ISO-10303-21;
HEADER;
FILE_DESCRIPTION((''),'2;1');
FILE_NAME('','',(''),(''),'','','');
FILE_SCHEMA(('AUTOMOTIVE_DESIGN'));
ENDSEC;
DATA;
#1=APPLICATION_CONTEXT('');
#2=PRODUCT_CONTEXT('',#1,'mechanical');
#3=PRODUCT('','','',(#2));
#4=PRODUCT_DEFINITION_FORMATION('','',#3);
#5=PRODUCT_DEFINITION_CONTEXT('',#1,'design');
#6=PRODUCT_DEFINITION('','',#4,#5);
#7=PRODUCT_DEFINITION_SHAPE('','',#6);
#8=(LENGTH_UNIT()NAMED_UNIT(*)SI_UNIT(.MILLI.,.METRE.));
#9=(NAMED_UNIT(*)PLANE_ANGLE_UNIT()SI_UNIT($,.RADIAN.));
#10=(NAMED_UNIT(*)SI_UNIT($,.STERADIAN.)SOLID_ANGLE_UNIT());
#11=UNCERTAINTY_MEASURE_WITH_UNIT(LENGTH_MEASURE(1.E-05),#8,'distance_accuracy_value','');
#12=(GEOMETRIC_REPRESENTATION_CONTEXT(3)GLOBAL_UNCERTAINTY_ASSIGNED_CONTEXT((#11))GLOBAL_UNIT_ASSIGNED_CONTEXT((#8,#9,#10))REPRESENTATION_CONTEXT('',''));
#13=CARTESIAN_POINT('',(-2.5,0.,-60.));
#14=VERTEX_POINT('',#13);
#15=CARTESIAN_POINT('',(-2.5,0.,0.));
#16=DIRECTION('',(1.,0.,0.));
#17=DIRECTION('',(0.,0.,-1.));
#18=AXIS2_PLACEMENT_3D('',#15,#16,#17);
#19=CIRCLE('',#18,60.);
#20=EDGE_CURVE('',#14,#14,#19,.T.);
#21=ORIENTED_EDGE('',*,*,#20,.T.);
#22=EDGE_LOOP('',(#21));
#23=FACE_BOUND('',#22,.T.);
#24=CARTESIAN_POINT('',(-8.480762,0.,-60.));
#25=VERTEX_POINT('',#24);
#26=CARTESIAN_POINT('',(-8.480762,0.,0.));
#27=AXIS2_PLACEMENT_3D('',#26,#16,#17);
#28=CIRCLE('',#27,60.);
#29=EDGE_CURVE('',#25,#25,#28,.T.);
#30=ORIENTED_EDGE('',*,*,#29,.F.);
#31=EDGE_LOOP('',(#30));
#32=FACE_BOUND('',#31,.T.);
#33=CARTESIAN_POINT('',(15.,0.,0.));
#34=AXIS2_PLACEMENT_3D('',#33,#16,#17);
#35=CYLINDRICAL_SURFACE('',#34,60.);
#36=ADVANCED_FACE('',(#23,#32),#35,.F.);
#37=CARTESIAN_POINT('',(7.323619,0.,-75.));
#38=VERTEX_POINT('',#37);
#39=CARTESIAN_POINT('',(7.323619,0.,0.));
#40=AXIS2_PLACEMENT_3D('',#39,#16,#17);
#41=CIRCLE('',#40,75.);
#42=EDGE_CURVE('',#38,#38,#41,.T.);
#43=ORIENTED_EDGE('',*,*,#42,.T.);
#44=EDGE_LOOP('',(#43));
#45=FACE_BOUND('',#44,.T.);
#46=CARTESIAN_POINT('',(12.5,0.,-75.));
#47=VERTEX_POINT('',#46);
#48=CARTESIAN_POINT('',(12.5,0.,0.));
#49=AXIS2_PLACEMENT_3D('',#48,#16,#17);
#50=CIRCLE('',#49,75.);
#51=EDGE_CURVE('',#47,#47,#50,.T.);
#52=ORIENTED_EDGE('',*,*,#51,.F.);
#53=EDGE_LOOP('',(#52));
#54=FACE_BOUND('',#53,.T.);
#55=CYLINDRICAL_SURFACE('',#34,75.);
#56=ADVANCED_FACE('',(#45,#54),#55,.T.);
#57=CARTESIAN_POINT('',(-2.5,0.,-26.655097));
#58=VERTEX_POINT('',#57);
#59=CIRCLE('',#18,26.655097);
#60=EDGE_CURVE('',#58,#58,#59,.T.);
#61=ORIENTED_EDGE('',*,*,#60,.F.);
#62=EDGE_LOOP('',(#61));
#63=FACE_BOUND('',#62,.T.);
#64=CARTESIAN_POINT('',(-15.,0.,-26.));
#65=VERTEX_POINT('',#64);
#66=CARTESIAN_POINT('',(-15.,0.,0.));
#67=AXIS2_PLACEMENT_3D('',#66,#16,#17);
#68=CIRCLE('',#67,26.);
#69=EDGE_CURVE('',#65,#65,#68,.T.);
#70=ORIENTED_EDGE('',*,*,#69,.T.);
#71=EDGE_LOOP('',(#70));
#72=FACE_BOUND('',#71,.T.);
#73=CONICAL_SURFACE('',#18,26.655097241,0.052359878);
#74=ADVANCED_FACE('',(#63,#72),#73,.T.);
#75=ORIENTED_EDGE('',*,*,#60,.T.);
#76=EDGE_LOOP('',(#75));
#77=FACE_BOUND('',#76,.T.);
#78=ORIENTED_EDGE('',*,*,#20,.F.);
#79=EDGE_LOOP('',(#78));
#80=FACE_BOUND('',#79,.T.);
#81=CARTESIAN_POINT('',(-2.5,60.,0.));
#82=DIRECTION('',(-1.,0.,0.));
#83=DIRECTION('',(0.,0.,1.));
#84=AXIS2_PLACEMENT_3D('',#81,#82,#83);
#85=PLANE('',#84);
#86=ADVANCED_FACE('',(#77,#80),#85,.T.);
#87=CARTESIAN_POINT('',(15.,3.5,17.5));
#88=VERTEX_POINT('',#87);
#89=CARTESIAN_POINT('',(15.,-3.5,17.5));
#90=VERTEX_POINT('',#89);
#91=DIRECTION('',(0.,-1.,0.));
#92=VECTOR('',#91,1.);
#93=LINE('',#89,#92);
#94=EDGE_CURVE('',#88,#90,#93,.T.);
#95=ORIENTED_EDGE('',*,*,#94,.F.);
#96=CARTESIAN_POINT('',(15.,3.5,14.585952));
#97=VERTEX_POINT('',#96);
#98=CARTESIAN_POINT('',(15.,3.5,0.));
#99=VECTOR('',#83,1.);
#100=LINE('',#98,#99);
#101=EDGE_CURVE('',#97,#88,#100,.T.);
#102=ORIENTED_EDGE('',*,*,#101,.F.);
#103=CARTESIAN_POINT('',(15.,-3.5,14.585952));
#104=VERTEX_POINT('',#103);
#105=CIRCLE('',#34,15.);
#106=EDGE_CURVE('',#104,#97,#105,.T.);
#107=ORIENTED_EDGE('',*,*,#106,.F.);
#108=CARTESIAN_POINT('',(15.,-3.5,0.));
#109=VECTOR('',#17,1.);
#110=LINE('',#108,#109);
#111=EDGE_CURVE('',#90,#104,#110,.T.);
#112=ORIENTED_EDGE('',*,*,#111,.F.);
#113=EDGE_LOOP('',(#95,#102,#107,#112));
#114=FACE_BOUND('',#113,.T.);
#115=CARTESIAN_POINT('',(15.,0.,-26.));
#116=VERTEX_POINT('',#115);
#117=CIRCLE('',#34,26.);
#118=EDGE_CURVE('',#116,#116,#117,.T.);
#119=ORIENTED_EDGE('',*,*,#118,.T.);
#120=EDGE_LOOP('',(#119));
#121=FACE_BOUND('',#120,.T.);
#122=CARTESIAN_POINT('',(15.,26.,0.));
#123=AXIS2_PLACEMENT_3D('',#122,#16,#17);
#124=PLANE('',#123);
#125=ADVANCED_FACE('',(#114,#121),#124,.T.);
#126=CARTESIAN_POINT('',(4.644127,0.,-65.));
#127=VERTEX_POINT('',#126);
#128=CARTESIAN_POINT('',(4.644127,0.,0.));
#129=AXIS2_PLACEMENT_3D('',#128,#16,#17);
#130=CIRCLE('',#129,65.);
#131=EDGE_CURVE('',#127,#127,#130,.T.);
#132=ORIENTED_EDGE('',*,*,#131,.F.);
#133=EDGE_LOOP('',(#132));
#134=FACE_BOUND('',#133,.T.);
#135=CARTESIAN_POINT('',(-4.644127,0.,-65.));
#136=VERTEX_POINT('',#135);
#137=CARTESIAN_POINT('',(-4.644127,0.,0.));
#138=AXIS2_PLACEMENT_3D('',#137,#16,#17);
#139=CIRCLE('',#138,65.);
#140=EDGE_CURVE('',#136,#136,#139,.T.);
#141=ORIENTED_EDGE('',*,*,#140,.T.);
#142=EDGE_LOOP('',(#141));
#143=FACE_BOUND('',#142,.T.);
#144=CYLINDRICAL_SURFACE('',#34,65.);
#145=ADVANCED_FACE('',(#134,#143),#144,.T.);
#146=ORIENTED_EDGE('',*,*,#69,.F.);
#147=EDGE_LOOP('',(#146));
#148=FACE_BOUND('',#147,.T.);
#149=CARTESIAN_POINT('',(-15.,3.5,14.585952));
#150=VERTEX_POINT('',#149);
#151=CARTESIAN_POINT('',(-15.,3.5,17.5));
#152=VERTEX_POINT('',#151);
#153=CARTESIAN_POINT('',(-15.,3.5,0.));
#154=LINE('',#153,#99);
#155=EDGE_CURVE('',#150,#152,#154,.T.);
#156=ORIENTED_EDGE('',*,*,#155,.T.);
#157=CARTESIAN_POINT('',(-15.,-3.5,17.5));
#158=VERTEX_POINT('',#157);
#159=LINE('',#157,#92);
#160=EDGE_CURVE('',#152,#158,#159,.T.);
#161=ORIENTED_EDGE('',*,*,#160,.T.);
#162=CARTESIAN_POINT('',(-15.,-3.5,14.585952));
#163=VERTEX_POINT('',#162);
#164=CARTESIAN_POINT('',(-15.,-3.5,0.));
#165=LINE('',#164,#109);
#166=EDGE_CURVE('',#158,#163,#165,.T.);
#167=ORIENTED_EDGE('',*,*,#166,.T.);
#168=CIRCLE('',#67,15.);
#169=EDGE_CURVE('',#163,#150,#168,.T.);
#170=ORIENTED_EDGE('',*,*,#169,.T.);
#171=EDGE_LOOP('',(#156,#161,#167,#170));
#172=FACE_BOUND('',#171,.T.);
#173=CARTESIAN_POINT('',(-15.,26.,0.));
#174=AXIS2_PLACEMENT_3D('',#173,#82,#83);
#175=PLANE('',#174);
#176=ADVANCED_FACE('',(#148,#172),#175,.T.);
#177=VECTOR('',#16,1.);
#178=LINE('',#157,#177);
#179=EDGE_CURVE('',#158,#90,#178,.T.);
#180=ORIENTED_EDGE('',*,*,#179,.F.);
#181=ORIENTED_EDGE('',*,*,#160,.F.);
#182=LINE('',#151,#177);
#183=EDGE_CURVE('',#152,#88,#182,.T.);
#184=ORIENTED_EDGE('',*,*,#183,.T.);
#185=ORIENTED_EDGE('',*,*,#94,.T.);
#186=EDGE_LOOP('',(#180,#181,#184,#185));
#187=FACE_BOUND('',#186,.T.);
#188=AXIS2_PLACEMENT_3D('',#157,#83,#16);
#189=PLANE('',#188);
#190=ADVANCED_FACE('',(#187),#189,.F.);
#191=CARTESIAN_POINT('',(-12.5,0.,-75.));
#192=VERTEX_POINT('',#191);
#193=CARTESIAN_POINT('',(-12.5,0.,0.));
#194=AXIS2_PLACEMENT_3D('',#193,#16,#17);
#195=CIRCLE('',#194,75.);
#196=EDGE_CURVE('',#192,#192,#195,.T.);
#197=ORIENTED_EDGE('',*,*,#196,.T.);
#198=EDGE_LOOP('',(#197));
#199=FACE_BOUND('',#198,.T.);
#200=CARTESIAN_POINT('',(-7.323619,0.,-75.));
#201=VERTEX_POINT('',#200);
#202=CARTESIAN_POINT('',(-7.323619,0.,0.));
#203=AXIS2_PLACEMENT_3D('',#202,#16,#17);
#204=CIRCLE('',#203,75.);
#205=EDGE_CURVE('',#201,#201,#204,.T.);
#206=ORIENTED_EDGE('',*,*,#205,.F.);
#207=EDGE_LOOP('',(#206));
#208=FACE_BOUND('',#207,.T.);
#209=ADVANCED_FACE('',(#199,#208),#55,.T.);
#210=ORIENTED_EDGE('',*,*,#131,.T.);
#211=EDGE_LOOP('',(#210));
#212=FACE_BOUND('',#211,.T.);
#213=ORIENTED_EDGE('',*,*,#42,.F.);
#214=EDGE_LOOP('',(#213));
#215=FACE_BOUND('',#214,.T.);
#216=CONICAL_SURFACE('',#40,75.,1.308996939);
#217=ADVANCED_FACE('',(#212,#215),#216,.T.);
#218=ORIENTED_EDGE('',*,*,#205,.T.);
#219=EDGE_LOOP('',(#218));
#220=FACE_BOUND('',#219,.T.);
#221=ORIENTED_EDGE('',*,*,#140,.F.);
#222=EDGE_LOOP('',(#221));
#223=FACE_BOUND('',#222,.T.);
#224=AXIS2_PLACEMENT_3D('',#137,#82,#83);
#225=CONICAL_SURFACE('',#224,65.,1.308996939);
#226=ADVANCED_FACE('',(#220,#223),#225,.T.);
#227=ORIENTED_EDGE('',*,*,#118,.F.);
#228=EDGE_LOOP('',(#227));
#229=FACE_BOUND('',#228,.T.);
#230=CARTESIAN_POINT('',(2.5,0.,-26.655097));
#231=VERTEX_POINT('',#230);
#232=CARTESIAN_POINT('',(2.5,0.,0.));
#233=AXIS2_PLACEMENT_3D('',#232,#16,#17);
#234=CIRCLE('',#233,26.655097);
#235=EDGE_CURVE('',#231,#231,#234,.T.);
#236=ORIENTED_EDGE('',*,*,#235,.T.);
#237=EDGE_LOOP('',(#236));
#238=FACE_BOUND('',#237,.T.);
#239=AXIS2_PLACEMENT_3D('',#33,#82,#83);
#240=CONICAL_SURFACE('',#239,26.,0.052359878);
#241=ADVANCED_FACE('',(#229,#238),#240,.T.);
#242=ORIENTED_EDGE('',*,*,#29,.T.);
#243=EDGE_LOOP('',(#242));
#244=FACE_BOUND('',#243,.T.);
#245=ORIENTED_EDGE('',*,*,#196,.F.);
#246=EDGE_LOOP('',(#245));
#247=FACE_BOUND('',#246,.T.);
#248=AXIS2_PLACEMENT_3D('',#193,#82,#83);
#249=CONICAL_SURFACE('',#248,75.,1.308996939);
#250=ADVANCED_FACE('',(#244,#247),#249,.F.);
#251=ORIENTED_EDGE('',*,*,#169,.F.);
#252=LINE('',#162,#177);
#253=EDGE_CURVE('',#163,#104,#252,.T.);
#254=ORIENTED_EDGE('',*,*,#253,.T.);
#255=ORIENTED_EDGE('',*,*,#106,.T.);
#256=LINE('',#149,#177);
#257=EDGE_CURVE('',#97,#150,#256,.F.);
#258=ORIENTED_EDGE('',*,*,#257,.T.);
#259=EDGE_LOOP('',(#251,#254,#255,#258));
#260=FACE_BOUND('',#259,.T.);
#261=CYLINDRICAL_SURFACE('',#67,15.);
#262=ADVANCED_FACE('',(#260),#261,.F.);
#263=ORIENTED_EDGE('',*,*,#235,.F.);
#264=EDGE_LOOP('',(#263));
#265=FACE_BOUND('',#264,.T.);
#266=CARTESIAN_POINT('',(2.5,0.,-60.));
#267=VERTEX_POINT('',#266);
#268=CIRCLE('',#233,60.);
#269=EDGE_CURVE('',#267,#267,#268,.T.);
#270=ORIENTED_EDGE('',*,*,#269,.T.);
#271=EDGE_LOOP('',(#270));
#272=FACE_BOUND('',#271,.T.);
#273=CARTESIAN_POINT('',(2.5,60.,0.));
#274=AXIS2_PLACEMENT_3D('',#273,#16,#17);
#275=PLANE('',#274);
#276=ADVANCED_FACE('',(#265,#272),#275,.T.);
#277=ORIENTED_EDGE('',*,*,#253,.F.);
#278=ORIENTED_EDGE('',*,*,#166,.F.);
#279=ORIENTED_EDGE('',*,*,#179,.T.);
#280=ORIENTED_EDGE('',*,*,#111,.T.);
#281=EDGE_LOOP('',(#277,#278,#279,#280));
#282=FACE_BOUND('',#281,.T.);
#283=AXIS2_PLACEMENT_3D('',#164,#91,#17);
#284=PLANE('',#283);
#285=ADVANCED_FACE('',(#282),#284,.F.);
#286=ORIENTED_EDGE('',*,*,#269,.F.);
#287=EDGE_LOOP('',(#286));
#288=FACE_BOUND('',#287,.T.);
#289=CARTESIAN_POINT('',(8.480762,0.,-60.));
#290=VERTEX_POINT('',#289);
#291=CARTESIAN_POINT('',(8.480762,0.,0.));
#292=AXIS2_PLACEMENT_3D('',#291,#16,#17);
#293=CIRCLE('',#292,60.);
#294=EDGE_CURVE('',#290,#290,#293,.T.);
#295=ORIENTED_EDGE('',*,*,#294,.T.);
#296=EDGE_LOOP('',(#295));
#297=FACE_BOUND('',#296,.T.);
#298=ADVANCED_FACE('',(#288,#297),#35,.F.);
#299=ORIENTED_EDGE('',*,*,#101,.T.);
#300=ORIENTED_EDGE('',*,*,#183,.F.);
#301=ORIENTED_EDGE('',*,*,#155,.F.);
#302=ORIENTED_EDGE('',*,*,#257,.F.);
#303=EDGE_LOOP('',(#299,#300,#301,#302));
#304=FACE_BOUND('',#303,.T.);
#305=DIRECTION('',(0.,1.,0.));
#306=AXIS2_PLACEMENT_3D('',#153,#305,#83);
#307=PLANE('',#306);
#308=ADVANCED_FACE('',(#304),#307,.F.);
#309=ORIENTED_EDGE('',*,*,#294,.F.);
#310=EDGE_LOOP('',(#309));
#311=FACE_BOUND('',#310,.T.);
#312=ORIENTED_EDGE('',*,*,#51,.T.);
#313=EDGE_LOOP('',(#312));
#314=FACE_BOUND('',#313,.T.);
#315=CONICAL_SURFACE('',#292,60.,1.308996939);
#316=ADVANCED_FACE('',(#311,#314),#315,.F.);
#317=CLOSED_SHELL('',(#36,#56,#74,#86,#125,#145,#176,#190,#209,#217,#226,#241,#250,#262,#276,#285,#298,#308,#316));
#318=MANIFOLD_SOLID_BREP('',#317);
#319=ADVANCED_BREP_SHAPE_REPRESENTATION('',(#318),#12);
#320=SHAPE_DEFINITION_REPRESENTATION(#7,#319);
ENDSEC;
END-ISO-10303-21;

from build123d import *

# Parameters (mm, degrees)
SKETCH2_R               = 15
CUT_EXTRUDE1_DEPTH      = 16
CUT_EXTRUDE1_DEPTH_BACK = 16
SKETCH3_W               = 17.5
SKETCH3_H               = 7
CUT_EXTRUDE2_DEPTH      = 16
CUT_EXTRUDE2_DEPTH_BACK = 16


with BuildPart() as part:
    # Sketch1 → Revolve1 (revolve)
    with BuildSketch(Plane.XY):
        Polygon((12.5, 75), (8.480762114, 60), (2.5, 60), (2.5, 26.655097241), (15, 26), (15, 0), (-15, 0), (-15, 26), (-2.5, 26.655097241), (-2.5, 60), (-8.480762114, 60), (-12.5, 75), (-7.323619098, 75), (-4.644127174, 65), (4.644127174, 65), (7.323619098, 75), align=None)
    revolve(axis=Axis((15, 0, 0), (-1, 0, 0)))

    # Sketch2 → Cut-Extrude1 (cut, two sides)
    with BuildSketch(Plane(origin=(0, 0, 0), x_dir=(0, 0, -1), z_dir=(1, 0, 0))) as cut_extrude1_sk:
        Circle(SKETCH2_R)
    extrude(amount=CUT_EXTRUDE1_DEPTH, mode=Mode.SUBTRACT)
    extrude(cut_extrude1_sk.sketch, amount=-CUT_EXTRUDE1_DEPTH_BACK, mode=Mode.SUBTRACT)

    # Sketch3 → Cut-Extrude2 (cut, two sides)
    with BuildSketch(Plane(origin=(0, 0, 0), x_dir=(0, 0, -1), z_dir=(1, 0, 0))) as cut_extrude2_sk:
        with Locations((-8.75, 0)):
            Rectangle(SKETCH3_W, SKETCH3_H)
    extrude(amount=CUT_EXTRUDE2_DEPTH, mode=Mode.SUBTRACT)
    extrude(cut_extrude2_sk.sketch, amount=-CUT_EXTRUDE2_DEPTH_BACK, mode=Mode.SUBTRACT)


solid = part.part
